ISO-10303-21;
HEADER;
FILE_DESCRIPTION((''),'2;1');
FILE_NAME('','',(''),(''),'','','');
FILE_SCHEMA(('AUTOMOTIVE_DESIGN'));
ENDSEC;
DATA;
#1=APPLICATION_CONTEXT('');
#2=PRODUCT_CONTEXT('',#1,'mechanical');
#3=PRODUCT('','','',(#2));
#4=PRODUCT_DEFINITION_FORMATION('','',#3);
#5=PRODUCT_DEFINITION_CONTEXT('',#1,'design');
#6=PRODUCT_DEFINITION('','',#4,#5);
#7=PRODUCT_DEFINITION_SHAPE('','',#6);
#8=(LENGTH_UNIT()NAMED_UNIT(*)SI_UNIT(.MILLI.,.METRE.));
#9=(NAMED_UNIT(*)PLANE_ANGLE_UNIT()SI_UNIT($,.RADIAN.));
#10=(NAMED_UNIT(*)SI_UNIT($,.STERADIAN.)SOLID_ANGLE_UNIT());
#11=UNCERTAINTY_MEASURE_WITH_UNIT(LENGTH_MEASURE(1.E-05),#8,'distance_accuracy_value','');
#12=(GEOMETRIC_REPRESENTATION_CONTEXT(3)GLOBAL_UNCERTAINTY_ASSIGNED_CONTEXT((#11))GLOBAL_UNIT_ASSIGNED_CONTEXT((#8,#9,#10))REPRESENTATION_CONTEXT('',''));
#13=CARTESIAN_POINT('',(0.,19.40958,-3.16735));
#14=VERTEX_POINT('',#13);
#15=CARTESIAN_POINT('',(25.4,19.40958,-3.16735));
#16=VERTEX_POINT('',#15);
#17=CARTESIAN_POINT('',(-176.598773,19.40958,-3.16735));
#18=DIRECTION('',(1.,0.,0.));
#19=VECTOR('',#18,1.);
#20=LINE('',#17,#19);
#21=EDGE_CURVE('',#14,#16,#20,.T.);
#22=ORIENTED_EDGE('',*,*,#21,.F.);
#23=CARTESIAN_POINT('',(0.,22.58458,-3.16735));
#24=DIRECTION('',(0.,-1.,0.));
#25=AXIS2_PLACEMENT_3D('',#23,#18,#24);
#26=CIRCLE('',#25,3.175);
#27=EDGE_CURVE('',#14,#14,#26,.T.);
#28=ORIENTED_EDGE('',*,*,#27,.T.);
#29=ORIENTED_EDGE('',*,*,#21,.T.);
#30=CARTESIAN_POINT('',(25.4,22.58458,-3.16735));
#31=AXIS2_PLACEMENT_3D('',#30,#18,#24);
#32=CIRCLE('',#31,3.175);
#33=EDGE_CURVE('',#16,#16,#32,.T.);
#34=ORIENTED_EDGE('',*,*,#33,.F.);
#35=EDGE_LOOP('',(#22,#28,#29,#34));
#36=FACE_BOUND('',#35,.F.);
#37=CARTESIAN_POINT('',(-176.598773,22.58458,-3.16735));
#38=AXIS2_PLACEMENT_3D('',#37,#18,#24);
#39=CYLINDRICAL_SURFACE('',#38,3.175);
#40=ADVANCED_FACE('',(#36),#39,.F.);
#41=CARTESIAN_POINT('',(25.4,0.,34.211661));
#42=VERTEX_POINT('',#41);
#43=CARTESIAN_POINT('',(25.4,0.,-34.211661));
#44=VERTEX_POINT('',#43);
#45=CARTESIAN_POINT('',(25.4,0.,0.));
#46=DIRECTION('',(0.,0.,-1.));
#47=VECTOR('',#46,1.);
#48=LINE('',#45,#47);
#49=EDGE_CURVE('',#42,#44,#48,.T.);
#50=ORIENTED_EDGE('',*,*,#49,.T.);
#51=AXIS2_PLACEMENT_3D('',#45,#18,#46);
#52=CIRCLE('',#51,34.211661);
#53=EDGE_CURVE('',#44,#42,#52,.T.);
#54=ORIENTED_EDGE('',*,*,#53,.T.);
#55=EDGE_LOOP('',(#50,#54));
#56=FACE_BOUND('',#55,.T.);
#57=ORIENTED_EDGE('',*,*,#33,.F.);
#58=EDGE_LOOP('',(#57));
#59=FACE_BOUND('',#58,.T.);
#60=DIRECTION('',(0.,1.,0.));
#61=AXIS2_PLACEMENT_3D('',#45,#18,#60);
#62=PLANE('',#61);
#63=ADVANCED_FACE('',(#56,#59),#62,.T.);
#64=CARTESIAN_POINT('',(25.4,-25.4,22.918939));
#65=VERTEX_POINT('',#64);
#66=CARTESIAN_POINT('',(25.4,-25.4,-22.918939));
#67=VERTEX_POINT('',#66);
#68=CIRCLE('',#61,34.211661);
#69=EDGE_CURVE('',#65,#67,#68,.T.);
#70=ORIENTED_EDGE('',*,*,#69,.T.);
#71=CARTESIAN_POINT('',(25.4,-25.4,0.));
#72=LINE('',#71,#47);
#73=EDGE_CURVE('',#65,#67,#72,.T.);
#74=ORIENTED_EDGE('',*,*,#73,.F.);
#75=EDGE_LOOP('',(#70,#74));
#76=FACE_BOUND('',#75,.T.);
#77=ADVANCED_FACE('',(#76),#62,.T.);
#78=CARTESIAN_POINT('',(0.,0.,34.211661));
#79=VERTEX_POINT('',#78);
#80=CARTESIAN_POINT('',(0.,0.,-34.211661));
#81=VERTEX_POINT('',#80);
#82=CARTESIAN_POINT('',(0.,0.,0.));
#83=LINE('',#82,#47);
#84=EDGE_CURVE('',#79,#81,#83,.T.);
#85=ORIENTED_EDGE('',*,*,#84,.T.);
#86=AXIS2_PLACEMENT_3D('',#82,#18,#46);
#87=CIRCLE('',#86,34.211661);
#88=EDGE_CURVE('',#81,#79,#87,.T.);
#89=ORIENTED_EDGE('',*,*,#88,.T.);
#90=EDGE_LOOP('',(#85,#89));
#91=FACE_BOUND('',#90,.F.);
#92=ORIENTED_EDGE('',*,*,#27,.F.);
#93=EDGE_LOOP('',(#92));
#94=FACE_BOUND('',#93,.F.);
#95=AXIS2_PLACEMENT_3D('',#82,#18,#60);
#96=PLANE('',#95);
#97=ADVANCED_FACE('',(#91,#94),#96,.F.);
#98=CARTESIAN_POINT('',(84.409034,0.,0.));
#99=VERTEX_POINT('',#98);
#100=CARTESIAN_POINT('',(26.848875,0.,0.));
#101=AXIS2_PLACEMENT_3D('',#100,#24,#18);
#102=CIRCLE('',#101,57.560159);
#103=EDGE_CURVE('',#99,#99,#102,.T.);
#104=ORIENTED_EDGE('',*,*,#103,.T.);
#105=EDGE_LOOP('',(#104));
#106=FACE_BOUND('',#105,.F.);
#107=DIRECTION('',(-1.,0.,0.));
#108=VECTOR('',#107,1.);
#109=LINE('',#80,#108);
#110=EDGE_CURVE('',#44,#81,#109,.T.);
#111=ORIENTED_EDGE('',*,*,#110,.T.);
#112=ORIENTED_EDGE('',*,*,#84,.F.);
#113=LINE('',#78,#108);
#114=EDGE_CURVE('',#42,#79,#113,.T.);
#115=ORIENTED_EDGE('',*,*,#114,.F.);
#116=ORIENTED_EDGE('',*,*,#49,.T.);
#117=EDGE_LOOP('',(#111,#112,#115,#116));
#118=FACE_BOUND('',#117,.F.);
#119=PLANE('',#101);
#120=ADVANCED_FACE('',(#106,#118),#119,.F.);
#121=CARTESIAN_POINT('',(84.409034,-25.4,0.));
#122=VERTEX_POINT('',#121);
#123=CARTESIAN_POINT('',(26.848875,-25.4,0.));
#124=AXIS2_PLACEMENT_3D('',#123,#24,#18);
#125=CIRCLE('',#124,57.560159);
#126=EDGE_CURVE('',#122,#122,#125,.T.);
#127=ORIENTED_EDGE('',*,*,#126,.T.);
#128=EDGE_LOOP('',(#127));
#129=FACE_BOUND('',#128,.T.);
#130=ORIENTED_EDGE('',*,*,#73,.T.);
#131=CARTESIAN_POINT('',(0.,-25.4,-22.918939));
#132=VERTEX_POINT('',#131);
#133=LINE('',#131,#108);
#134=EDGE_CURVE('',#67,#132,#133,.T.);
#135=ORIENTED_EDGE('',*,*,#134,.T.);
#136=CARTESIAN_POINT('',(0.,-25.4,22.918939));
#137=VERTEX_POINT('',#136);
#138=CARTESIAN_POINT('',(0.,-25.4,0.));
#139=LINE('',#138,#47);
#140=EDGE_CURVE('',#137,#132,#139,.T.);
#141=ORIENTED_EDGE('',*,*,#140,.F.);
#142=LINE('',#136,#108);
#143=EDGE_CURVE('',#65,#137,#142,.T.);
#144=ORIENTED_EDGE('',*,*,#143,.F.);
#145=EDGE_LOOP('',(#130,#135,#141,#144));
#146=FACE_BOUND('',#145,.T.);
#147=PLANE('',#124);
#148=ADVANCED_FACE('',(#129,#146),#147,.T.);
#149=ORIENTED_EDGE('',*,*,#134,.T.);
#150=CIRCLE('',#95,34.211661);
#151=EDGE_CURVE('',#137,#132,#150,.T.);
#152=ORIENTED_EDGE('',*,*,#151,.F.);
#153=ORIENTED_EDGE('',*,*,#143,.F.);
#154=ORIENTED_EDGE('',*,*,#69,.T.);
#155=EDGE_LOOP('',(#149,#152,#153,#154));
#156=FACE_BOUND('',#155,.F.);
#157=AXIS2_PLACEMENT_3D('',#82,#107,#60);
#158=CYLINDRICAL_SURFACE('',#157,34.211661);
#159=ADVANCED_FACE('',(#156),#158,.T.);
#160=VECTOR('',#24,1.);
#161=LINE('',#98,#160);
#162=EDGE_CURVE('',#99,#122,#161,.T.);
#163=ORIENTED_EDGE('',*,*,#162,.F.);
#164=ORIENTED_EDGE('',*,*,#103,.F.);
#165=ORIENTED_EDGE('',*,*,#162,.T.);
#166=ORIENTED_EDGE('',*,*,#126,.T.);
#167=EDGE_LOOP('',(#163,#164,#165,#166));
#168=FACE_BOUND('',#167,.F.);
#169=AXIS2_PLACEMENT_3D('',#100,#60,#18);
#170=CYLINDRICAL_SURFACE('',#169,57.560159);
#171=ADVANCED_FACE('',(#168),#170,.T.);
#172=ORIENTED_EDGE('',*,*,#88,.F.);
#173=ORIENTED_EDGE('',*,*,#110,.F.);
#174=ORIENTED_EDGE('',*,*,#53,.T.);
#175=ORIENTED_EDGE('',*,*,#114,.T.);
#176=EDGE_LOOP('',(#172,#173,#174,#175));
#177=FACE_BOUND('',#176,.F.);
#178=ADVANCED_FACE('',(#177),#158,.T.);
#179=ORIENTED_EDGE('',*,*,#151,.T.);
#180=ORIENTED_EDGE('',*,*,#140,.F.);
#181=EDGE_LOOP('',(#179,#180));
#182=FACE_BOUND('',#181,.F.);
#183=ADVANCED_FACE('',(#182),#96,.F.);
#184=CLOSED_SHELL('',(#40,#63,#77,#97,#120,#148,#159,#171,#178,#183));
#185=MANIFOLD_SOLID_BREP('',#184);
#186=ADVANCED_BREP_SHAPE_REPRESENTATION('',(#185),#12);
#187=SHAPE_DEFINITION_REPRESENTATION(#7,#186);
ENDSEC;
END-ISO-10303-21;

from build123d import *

# Parameters (mm, degrees)
F0_R     = 34.2116613635
F1_DEPTH = 25.4
F2_R     = 57.5601591622
F3_DEPTH = 25.4
F5_D     = 6.35


with BuildPart() as f1:
    # F0 (on Right) → F1 (new body)
    with BuildSketch(Plane.YZ):
        Circle(F0_R)
    extrude(amount=F1_DEPTH)

    # F2 (on Front) → F3 (join)
    with BuildSketch(Plane.XZ):
        with Locations((26.8488749862, 0)):
            Circle(F2_R)
    extrude(amount=F3_DEPTH)

    # F5 (through all)
    with Locations(Plane(origin=(0, 0, 0), x_dir=(0, 1, 0), z_dir=(-1, 0, 0))):
        with Locations((22.584579885, 3.1673496123)):
            Hole(F5_D / 2)


solid = f1.part
